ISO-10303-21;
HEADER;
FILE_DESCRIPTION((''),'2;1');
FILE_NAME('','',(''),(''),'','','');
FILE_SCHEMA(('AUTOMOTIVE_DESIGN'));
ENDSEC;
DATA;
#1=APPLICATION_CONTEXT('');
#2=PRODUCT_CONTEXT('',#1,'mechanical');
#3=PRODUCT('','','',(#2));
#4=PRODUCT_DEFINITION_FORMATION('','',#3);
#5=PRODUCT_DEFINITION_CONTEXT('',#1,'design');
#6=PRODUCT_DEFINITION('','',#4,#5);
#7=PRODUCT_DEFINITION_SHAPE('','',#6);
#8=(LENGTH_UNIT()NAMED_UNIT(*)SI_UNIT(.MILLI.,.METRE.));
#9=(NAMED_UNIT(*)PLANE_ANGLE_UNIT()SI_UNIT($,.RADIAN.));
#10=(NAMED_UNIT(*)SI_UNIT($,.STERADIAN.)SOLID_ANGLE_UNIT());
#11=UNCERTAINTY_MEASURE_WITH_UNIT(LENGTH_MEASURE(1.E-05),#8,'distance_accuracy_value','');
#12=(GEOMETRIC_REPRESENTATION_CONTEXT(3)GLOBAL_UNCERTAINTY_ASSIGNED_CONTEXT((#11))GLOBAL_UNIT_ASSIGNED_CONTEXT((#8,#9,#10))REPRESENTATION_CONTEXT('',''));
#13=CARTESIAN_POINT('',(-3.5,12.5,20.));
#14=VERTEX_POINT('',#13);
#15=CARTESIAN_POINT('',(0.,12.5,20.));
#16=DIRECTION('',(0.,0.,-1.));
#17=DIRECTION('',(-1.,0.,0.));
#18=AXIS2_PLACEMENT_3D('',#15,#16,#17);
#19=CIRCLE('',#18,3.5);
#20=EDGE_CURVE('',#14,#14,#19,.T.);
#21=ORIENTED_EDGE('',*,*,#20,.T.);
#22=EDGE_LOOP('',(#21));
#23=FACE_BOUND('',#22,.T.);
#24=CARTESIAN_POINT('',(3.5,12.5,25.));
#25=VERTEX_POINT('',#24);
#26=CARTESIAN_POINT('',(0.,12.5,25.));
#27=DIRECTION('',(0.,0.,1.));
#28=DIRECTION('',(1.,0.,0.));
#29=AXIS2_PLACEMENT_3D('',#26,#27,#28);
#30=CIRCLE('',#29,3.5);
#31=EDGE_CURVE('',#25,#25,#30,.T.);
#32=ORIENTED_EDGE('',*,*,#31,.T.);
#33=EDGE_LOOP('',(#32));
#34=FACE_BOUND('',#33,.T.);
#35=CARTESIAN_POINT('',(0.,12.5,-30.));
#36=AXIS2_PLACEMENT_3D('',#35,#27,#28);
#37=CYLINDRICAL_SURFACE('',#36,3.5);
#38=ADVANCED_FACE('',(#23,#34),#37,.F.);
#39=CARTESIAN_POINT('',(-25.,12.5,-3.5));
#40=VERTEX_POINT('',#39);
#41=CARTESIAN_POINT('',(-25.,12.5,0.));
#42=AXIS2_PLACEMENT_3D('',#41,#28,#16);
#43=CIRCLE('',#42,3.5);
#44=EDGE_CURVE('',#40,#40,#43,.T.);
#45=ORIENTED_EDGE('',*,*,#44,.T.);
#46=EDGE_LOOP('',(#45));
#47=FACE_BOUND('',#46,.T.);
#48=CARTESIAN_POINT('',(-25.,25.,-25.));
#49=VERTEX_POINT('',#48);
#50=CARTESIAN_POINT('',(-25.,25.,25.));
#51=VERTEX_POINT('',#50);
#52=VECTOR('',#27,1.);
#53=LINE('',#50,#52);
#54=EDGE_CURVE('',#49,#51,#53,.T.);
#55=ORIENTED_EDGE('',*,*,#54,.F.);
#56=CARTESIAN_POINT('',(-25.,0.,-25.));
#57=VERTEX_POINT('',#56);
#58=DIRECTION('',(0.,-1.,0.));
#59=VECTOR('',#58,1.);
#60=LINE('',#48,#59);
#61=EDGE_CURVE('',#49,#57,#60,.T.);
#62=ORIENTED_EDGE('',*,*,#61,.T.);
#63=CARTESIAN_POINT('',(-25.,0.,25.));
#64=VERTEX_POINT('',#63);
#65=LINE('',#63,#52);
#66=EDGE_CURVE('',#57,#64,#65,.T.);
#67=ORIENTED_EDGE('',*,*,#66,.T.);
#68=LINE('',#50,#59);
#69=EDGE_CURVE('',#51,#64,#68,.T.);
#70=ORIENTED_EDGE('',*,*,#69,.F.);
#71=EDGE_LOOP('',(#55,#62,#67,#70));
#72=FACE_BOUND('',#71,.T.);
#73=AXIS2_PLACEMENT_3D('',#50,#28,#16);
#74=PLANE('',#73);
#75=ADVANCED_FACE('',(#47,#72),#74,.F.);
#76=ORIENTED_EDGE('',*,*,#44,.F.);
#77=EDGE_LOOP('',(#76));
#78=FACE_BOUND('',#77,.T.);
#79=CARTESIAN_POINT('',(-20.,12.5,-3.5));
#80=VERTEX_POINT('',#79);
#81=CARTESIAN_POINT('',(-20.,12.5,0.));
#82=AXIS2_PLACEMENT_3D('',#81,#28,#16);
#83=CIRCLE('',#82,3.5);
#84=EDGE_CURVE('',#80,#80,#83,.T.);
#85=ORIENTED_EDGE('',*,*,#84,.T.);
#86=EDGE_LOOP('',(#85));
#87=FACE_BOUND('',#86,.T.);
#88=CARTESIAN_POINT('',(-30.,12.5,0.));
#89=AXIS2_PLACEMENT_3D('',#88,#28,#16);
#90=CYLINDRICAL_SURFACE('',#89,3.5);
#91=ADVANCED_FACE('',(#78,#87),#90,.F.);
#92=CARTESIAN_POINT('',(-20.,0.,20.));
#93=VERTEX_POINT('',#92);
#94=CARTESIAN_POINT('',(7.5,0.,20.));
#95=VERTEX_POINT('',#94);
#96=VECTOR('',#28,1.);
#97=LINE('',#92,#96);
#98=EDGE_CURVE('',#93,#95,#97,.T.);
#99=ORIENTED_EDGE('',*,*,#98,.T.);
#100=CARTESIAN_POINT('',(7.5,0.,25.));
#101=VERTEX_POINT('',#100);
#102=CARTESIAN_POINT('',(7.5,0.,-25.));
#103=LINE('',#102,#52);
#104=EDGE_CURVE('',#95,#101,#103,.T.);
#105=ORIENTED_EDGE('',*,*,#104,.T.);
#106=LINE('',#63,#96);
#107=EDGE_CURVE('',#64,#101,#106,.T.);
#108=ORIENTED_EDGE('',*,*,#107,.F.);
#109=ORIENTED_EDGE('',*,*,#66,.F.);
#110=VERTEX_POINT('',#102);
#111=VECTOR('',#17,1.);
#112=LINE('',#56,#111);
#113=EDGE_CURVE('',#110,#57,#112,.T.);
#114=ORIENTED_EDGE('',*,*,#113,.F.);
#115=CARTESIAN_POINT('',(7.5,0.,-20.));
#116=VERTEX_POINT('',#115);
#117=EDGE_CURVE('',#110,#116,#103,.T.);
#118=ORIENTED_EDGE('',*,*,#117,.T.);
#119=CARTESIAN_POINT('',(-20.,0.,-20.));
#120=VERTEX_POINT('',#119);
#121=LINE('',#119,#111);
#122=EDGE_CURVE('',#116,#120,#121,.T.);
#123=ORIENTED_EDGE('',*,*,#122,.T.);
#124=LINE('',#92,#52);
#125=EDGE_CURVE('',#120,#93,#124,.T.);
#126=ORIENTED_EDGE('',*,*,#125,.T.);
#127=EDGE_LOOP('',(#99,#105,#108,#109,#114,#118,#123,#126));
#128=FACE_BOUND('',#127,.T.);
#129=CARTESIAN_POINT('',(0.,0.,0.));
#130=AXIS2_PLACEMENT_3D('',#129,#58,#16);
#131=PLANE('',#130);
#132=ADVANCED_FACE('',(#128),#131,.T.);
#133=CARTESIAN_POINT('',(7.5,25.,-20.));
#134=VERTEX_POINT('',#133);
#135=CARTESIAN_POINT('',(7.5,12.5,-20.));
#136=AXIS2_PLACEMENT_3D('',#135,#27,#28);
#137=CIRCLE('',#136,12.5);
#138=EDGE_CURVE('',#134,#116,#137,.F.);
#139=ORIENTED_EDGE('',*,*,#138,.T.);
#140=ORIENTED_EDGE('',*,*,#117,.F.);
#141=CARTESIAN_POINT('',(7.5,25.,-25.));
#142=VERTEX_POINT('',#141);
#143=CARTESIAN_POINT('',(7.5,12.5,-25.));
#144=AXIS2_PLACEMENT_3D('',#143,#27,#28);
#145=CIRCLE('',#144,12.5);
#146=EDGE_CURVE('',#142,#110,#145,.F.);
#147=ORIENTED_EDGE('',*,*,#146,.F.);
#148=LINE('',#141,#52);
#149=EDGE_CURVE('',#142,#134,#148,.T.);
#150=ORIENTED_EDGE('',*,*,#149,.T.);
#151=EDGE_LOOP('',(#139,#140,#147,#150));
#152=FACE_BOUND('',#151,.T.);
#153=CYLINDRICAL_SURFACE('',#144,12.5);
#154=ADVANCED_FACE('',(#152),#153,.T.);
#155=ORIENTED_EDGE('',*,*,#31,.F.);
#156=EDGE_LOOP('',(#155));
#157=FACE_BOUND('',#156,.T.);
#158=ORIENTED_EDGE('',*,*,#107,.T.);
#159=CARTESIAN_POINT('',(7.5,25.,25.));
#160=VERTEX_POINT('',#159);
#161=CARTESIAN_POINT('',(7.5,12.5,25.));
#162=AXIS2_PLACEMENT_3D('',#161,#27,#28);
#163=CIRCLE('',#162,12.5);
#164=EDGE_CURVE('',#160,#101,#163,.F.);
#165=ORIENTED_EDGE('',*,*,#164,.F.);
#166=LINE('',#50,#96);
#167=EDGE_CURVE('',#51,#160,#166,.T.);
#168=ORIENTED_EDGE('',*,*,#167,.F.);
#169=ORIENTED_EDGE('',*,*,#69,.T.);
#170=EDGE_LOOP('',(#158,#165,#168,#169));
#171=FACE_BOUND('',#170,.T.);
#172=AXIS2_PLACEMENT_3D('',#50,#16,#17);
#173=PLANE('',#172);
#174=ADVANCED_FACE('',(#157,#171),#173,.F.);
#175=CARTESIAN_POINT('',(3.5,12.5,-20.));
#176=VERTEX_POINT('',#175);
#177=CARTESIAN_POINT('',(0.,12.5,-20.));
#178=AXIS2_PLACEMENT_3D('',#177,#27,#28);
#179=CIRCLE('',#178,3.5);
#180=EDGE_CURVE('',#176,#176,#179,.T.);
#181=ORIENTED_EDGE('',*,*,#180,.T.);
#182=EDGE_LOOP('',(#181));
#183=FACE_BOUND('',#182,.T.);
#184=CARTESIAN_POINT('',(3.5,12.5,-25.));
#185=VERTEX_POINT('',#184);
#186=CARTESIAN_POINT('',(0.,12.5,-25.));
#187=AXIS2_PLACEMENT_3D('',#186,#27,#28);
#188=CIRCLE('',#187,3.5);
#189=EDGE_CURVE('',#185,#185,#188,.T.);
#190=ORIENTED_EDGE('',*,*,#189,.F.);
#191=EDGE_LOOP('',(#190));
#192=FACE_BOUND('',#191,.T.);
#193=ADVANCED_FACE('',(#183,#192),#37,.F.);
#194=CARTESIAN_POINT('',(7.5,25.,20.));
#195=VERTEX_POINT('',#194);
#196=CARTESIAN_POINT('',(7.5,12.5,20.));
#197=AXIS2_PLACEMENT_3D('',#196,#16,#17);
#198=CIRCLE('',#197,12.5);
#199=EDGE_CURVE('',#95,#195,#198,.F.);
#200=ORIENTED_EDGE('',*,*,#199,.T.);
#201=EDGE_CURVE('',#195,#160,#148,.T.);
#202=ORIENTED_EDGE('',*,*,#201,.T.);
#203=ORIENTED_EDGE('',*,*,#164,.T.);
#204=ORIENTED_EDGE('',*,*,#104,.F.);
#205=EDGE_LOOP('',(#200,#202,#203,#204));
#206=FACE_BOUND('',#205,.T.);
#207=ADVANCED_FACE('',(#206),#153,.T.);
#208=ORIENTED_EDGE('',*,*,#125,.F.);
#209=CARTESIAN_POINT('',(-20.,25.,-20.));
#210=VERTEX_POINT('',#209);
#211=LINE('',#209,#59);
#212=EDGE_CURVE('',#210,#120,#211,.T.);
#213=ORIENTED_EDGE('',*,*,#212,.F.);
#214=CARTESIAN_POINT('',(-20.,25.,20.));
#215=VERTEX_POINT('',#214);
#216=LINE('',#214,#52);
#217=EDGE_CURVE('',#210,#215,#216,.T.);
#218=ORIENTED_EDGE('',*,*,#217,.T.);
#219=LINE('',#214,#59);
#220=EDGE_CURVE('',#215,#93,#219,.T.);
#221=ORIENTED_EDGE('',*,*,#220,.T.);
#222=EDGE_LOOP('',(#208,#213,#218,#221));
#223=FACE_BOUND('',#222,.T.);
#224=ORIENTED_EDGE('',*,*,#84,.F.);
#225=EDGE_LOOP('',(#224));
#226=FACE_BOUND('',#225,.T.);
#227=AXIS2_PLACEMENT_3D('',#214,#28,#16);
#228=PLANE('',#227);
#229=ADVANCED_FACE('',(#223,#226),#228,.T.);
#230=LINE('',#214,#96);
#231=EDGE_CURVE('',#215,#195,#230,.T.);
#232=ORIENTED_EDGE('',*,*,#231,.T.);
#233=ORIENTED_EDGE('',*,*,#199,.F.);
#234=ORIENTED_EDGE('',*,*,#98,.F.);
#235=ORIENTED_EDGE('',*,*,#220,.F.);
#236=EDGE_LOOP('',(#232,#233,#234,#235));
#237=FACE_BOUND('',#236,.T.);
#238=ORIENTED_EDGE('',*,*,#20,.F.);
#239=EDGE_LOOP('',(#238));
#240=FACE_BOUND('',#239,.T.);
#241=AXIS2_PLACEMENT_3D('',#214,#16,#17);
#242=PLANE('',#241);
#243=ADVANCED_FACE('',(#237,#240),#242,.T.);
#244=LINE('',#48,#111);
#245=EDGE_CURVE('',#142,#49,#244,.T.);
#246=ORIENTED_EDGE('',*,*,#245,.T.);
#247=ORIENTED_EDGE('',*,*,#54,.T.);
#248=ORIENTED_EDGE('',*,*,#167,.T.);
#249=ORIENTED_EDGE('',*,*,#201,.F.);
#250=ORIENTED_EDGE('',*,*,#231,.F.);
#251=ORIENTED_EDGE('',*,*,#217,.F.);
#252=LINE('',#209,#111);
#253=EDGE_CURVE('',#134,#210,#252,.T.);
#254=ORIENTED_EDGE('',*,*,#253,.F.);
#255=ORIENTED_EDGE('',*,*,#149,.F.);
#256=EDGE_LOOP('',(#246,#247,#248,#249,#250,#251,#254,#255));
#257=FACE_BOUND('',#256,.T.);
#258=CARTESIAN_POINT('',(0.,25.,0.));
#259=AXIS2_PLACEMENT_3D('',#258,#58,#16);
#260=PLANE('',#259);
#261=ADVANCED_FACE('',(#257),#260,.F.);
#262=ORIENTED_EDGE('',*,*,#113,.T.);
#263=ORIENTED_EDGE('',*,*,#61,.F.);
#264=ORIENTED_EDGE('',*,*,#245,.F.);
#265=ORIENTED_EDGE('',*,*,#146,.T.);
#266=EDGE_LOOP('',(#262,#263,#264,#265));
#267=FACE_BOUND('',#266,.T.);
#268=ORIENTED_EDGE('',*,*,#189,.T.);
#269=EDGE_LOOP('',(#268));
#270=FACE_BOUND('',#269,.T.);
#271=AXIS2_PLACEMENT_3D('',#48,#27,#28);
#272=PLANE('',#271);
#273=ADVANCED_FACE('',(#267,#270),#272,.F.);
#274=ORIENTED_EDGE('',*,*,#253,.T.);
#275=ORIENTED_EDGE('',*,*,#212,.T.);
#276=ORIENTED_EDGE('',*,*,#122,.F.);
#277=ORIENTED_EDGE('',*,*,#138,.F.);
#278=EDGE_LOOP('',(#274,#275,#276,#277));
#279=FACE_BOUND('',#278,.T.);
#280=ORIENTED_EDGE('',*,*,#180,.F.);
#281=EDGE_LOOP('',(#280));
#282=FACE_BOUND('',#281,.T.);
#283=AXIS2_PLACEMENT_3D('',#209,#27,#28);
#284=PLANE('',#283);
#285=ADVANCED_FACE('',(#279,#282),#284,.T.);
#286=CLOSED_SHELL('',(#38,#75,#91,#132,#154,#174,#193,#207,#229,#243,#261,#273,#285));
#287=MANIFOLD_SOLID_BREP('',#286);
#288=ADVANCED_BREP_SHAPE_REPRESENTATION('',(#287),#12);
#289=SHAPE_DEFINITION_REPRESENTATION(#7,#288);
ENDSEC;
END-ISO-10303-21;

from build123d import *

# Parameters (mm, degrees)
SKETCH1_W           = 50
SKETCH1_H           = 50
SKETCH1_W_2         = 40
SKETCH1_H_2         = 40
BOSS_EXTRUDE1_DEPTH = 25
SKETCH2_R           = 3.5
CUT_EXTRUDE1_DEPTH  = 55
SKETCH3_R           = 3.5
CUT_EXTRUDE2_DEPTH  = 55
CUT_EXTRUDE3_DEPTH  = 62.23724357


with BuildPart() as part:
    # Sketch1 → Boss-Extrude1 (new body)
    with BuildSketch(Plane(origin=(0, 0, 0), x_dir=(1, 0, 0), z_dir=(0, 1, 0))):
        Rectangle(SKETCH1_W, SKETCH1_H)
        Rectangle(SKETCH1_W_2, SKETCH1_H_2, mode=Mode.SUBTRACT)
    extrude(amount=BOSS_EXTRUDE1_DEPTH)

    # Sketch2 → Cut-Extrude1 (cut)
    with BuildSketch(Plane(origin=(25, 0, 0), x_dir=(0, 0, -1), z_dir=(1, 0, 0))):
        with Locations((0, 12.5)):
            Circle(SKETCH2_R)
    extrude(amount=-CUT_EXTRUDE1_DEPTH, mode=Mode.SUBTRACT)

    # Sketch3 → Cut-Extrude2 (cut)
    with BuildSketch(Plane.XY.offset(25)):
        with Locations((0, 12.5)):
            Circle(SKETCH3_R)
    extrude(amount=-CUT_EXTRUDE2_DEPTH, mode=Mode.SUBTRACT)

    # Sketch4 → Cut-Extrude3 (cut, through all)
    with BuildSketch(Plane.XY.offset(25)):
        with BuildLine():
            Line((7.5, 25), (25, 25))
            Line((25, 25), (25, 0))
            Line((25, 0), (7.5, 0))
            ThreePointArc((7.5, 0), (20, 12.5), (7.5, 25))
        make_face()
    extrude(amount=-CUT_EXTRUDE3_DEPTH, mode=Mode.SUBTRACT)


solid = part.part
